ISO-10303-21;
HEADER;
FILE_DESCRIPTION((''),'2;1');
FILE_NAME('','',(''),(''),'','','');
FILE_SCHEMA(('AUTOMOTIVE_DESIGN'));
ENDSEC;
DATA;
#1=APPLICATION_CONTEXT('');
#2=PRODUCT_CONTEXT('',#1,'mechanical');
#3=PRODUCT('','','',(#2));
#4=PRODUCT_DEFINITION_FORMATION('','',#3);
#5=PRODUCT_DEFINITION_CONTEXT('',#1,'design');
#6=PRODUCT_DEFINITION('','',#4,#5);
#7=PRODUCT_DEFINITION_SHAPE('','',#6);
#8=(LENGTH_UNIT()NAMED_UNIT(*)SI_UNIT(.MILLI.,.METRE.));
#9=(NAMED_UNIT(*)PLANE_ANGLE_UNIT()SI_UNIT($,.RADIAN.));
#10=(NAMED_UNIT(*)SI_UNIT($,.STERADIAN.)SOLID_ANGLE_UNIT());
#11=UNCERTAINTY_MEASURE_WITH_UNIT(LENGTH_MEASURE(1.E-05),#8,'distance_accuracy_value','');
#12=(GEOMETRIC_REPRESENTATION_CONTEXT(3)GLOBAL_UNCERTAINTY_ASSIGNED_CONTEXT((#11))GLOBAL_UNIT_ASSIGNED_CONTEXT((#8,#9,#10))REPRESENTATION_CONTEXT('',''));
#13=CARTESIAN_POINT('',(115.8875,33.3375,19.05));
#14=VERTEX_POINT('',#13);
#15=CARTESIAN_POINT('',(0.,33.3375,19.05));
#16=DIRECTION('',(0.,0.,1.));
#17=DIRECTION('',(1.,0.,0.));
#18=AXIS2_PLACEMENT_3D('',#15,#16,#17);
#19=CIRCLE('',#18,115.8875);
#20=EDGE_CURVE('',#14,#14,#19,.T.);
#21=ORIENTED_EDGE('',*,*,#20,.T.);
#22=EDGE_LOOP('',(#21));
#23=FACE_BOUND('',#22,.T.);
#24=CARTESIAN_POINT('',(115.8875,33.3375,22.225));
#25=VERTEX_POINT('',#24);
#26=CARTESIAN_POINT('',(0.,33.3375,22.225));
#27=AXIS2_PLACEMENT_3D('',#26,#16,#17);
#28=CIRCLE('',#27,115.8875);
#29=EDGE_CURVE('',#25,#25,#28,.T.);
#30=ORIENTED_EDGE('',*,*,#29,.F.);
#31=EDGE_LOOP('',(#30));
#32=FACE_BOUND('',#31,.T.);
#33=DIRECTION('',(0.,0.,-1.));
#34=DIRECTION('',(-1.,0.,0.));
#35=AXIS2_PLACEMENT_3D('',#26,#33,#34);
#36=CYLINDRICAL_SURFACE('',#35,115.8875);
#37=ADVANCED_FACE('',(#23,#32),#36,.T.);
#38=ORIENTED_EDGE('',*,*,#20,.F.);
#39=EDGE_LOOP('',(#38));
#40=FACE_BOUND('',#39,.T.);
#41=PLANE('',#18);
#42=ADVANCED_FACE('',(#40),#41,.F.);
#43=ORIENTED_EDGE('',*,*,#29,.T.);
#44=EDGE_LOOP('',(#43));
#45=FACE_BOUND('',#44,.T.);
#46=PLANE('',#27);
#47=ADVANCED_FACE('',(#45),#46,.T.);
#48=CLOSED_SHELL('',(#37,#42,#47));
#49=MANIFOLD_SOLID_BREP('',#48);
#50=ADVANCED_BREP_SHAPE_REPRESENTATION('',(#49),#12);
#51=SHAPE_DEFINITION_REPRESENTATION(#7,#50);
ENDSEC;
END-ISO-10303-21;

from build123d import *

# Parameters (mm, degrees)
EXTRUDE1_START = 19.05
SKETCH1_R      = 115.8875
EXTRUDE1_DEPTH = 3.175


with BuildPart() as part:
    # Sketch1 → Extrude1 (new body)
    with BuildSketch(Plane.XY.offset(EXTRUDE1_START)):
        with Locations((0, 33.3375)):
            Circle(SKETCH1_R)
    extrude(amount=EXTRUDE1_DEPTH)


solid = part.part
